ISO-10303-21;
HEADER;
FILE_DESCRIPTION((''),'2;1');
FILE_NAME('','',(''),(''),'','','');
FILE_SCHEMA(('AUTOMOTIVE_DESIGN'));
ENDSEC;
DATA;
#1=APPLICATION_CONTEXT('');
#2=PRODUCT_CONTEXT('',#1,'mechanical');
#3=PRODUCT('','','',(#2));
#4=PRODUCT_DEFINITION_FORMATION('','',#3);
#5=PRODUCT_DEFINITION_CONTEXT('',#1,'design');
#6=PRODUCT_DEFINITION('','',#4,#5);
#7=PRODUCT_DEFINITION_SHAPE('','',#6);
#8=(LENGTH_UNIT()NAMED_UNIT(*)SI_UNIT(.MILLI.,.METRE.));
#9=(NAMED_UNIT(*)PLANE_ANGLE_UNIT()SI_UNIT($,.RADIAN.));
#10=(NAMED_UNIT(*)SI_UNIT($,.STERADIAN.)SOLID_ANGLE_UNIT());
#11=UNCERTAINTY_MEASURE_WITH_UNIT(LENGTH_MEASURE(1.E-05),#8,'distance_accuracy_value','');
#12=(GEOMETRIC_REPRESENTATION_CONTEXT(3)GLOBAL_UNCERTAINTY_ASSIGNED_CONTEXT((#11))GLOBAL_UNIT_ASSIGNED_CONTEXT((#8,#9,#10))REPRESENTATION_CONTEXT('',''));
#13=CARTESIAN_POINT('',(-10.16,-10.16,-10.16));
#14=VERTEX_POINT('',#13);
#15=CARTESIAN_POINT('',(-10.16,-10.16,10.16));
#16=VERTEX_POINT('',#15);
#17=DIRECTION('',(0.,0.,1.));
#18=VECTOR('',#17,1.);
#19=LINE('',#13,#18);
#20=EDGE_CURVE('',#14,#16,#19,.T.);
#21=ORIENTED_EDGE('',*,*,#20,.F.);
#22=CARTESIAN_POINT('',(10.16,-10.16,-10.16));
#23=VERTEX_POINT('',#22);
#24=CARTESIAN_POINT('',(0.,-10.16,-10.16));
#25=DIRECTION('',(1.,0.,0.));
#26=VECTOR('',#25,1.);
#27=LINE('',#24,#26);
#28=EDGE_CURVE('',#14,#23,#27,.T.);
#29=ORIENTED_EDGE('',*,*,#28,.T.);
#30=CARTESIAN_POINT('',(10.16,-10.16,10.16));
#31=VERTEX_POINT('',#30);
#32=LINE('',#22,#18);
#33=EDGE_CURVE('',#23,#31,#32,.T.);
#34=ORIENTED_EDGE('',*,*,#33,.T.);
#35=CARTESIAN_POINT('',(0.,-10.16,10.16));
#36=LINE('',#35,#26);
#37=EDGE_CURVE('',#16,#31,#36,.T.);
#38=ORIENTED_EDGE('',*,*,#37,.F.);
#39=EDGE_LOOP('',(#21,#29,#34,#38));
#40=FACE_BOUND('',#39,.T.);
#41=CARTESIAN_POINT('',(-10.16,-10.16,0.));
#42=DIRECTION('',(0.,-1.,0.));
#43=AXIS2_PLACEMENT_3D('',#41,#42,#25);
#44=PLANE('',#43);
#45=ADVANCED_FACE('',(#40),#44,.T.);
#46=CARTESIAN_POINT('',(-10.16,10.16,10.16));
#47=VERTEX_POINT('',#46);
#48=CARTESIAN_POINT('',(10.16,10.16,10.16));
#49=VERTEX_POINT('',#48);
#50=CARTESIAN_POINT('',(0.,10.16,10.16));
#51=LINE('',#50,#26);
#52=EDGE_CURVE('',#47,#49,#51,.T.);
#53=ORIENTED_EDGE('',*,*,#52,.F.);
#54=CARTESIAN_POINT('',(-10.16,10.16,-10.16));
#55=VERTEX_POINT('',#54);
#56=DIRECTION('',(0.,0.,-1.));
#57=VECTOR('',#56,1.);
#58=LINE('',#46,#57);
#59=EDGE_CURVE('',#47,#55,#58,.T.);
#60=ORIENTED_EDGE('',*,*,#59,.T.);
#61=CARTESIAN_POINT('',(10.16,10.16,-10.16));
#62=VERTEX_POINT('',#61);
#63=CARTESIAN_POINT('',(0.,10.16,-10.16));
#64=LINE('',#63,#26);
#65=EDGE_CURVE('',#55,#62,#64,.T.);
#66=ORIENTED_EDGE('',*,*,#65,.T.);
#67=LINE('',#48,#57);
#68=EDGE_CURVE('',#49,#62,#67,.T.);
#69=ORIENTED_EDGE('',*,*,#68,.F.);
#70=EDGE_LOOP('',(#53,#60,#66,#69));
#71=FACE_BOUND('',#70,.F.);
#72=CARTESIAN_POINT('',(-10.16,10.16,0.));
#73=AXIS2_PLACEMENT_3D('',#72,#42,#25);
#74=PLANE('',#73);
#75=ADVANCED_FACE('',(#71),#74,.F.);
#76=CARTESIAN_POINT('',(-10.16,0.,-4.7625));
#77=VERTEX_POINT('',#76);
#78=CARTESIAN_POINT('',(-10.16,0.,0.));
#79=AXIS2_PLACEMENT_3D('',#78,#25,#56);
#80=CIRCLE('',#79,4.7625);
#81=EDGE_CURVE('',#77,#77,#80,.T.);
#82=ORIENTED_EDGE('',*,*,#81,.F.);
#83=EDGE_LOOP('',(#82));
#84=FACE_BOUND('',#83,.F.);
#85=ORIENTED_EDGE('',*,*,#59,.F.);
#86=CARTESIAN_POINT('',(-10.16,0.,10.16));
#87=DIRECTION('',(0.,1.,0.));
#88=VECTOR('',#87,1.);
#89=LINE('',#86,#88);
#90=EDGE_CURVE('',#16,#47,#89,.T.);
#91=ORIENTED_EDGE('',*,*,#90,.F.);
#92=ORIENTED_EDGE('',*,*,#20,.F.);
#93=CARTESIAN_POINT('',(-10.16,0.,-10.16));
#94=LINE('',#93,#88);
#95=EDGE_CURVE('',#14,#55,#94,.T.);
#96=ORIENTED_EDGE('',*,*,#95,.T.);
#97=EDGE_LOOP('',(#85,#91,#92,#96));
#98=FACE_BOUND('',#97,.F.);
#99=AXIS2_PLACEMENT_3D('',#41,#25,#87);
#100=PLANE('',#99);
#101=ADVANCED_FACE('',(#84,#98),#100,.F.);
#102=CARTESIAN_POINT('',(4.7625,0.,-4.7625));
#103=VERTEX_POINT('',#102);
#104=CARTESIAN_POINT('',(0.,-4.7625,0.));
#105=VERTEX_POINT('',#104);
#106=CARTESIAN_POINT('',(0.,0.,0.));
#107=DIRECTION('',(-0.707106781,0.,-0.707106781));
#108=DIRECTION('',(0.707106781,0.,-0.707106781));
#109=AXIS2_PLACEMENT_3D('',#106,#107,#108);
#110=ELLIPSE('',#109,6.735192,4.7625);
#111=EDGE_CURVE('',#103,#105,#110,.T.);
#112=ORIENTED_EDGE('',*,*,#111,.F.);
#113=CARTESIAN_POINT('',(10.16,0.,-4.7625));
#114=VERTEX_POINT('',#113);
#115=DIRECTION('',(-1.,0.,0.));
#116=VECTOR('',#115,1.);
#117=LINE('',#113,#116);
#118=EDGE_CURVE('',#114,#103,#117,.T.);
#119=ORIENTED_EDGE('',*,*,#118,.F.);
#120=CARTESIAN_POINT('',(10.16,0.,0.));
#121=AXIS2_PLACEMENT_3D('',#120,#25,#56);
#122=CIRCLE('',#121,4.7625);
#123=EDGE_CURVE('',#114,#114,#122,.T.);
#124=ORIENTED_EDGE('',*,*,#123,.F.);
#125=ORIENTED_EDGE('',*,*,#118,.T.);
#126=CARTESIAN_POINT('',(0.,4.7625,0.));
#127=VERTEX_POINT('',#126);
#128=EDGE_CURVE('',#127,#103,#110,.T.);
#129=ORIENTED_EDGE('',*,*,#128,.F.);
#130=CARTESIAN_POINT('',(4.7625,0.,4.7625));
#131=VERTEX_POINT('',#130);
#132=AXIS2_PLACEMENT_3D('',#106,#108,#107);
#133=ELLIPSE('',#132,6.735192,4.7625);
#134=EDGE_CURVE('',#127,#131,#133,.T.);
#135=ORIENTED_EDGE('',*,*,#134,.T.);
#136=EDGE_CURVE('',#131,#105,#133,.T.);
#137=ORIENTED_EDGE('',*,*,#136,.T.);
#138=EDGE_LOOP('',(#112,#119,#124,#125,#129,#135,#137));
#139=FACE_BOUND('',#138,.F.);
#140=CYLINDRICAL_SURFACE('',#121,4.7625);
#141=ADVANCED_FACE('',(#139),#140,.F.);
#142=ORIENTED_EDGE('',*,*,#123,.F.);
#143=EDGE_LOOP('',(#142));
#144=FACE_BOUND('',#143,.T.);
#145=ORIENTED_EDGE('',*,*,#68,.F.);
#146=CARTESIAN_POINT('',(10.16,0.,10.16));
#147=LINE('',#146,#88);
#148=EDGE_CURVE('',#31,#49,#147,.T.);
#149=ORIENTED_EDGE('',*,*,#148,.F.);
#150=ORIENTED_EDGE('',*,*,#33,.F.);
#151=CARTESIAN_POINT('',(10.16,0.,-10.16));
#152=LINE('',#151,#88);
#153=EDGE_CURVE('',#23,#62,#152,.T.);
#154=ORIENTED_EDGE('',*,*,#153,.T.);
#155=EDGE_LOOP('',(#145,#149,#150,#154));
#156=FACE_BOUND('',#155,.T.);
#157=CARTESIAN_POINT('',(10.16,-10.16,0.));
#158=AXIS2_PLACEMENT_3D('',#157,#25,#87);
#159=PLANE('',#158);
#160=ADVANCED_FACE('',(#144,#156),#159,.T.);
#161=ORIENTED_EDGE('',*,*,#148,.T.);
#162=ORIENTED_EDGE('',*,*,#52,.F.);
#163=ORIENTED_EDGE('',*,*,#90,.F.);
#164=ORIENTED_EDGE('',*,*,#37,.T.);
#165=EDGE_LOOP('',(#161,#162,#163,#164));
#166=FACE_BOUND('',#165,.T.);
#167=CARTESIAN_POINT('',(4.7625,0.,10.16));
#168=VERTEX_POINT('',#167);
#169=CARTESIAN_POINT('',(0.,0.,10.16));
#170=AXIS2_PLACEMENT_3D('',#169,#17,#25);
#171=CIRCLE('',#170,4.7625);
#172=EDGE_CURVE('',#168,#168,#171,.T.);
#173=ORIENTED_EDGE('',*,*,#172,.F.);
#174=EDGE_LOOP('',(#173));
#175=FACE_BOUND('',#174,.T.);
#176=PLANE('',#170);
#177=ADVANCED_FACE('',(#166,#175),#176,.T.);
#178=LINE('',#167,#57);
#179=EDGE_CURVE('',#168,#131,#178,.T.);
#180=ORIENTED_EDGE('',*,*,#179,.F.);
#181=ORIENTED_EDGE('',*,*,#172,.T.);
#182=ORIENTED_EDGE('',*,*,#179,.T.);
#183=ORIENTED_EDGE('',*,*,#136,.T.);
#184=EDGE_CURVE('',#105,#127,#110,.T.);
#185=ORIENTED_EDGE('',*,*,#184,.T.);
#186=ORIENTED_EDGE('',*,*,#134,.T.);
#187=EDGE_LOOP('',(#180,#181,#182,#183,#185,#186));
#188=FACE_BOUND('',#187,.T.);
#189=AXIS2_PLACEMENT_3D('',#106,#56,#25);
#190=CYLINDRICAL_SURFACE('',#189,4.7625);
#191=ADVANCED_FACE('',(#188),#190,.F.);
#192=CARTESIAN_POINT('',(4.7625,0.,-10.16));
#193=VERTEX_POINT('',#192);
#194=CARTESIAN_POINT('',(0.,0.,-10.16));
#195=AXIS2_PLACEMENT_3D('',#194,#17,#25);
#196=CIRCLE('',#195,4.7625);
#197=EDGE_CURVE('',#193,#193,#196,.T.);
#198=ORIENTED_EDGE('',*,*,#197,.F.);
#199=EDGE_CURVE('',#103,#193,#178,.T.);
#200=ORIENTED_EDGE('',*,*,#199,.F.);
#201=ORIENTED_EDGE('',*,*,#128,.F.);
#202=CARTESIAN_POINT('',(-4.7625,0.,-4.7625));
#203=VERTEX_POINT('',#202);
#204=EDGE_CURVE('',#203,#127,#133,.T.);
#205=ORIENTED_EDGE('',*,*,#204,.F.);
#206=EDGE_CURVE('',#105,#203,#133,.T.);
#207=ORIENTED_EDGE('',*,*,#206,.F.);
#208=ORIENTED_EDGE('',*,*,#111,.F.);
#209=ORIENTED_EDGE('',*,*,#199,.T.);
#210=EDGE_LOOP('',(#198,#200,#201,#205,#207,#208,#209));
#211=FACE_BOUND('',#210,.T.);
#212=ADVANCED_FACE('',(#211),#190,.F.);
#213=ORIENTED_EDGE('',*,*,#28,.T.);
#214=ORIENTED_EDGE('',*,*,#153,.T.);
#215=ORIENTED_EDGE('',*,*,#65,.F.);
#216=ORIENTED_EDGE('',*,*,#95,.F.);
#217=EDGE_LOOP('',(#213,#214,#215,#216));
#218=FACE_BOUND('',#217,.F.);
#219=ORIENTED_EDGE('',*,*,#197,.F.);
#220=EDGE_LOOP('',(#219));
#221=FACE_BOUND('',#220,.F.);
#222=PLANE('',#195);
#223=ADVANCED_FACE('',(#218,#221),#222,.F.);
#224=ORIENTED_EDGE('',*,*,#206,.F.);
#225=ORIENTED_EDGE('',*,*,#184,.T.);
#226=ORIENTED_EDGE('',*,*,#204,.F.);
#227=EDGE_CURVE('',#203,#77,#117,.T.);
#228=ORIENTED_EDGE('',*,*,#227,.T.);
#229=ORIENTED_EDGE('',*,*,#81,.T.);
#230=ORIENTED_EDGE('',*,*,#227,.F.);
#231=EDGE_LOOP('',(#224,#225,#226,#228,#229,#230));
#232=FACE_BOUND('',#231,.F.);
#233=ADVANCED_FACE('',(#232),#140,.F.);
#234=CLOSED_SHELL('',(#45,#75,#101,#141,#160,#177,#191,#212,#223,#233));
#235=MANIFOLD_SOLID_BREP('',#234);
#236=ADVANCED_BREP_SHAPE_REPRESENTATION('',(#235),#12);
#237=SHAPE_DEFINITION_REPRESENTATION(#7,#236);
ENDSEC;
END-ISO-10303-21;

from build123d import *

# Parameters (mm, degrees)
SKETCH1_W          = 20.32
SKETCH1_H          = 20.32
SKETCH1_R          = 4.7625
BASE_EXTRUDE_DEPTH = 10.16
SKETCH3_R          = 4.7625
CUT_EXTRUDE1_DEPTH = 21.32


with BuildPart() as part:
    # Sketch1 → Base-Extrude (new body, symmetric)
    with BuildSketch(Plane.XY):
        Rectangle(SKETCH1_W, SKETCH1_H)
        Circle(SKETCH1_R, mode=Mode.SUBTRACT)
    extrude(amount=BASE_EXTRUDE_DEPTH, both=True)

    # Sketch3 → Cut-Extrude1 (cut, through all)
    with BuildSketch(Plane(origin=(10.16, 0, 0), x_dir=(0, 0, -1), z_dir=(1, 0, 0))):
        Circle(SKETCH3_R)
    extrude(amount=-CUT_EXTRUDE1_DEPTH, mode=Mode.SUBTRACT)


solid = part.part
